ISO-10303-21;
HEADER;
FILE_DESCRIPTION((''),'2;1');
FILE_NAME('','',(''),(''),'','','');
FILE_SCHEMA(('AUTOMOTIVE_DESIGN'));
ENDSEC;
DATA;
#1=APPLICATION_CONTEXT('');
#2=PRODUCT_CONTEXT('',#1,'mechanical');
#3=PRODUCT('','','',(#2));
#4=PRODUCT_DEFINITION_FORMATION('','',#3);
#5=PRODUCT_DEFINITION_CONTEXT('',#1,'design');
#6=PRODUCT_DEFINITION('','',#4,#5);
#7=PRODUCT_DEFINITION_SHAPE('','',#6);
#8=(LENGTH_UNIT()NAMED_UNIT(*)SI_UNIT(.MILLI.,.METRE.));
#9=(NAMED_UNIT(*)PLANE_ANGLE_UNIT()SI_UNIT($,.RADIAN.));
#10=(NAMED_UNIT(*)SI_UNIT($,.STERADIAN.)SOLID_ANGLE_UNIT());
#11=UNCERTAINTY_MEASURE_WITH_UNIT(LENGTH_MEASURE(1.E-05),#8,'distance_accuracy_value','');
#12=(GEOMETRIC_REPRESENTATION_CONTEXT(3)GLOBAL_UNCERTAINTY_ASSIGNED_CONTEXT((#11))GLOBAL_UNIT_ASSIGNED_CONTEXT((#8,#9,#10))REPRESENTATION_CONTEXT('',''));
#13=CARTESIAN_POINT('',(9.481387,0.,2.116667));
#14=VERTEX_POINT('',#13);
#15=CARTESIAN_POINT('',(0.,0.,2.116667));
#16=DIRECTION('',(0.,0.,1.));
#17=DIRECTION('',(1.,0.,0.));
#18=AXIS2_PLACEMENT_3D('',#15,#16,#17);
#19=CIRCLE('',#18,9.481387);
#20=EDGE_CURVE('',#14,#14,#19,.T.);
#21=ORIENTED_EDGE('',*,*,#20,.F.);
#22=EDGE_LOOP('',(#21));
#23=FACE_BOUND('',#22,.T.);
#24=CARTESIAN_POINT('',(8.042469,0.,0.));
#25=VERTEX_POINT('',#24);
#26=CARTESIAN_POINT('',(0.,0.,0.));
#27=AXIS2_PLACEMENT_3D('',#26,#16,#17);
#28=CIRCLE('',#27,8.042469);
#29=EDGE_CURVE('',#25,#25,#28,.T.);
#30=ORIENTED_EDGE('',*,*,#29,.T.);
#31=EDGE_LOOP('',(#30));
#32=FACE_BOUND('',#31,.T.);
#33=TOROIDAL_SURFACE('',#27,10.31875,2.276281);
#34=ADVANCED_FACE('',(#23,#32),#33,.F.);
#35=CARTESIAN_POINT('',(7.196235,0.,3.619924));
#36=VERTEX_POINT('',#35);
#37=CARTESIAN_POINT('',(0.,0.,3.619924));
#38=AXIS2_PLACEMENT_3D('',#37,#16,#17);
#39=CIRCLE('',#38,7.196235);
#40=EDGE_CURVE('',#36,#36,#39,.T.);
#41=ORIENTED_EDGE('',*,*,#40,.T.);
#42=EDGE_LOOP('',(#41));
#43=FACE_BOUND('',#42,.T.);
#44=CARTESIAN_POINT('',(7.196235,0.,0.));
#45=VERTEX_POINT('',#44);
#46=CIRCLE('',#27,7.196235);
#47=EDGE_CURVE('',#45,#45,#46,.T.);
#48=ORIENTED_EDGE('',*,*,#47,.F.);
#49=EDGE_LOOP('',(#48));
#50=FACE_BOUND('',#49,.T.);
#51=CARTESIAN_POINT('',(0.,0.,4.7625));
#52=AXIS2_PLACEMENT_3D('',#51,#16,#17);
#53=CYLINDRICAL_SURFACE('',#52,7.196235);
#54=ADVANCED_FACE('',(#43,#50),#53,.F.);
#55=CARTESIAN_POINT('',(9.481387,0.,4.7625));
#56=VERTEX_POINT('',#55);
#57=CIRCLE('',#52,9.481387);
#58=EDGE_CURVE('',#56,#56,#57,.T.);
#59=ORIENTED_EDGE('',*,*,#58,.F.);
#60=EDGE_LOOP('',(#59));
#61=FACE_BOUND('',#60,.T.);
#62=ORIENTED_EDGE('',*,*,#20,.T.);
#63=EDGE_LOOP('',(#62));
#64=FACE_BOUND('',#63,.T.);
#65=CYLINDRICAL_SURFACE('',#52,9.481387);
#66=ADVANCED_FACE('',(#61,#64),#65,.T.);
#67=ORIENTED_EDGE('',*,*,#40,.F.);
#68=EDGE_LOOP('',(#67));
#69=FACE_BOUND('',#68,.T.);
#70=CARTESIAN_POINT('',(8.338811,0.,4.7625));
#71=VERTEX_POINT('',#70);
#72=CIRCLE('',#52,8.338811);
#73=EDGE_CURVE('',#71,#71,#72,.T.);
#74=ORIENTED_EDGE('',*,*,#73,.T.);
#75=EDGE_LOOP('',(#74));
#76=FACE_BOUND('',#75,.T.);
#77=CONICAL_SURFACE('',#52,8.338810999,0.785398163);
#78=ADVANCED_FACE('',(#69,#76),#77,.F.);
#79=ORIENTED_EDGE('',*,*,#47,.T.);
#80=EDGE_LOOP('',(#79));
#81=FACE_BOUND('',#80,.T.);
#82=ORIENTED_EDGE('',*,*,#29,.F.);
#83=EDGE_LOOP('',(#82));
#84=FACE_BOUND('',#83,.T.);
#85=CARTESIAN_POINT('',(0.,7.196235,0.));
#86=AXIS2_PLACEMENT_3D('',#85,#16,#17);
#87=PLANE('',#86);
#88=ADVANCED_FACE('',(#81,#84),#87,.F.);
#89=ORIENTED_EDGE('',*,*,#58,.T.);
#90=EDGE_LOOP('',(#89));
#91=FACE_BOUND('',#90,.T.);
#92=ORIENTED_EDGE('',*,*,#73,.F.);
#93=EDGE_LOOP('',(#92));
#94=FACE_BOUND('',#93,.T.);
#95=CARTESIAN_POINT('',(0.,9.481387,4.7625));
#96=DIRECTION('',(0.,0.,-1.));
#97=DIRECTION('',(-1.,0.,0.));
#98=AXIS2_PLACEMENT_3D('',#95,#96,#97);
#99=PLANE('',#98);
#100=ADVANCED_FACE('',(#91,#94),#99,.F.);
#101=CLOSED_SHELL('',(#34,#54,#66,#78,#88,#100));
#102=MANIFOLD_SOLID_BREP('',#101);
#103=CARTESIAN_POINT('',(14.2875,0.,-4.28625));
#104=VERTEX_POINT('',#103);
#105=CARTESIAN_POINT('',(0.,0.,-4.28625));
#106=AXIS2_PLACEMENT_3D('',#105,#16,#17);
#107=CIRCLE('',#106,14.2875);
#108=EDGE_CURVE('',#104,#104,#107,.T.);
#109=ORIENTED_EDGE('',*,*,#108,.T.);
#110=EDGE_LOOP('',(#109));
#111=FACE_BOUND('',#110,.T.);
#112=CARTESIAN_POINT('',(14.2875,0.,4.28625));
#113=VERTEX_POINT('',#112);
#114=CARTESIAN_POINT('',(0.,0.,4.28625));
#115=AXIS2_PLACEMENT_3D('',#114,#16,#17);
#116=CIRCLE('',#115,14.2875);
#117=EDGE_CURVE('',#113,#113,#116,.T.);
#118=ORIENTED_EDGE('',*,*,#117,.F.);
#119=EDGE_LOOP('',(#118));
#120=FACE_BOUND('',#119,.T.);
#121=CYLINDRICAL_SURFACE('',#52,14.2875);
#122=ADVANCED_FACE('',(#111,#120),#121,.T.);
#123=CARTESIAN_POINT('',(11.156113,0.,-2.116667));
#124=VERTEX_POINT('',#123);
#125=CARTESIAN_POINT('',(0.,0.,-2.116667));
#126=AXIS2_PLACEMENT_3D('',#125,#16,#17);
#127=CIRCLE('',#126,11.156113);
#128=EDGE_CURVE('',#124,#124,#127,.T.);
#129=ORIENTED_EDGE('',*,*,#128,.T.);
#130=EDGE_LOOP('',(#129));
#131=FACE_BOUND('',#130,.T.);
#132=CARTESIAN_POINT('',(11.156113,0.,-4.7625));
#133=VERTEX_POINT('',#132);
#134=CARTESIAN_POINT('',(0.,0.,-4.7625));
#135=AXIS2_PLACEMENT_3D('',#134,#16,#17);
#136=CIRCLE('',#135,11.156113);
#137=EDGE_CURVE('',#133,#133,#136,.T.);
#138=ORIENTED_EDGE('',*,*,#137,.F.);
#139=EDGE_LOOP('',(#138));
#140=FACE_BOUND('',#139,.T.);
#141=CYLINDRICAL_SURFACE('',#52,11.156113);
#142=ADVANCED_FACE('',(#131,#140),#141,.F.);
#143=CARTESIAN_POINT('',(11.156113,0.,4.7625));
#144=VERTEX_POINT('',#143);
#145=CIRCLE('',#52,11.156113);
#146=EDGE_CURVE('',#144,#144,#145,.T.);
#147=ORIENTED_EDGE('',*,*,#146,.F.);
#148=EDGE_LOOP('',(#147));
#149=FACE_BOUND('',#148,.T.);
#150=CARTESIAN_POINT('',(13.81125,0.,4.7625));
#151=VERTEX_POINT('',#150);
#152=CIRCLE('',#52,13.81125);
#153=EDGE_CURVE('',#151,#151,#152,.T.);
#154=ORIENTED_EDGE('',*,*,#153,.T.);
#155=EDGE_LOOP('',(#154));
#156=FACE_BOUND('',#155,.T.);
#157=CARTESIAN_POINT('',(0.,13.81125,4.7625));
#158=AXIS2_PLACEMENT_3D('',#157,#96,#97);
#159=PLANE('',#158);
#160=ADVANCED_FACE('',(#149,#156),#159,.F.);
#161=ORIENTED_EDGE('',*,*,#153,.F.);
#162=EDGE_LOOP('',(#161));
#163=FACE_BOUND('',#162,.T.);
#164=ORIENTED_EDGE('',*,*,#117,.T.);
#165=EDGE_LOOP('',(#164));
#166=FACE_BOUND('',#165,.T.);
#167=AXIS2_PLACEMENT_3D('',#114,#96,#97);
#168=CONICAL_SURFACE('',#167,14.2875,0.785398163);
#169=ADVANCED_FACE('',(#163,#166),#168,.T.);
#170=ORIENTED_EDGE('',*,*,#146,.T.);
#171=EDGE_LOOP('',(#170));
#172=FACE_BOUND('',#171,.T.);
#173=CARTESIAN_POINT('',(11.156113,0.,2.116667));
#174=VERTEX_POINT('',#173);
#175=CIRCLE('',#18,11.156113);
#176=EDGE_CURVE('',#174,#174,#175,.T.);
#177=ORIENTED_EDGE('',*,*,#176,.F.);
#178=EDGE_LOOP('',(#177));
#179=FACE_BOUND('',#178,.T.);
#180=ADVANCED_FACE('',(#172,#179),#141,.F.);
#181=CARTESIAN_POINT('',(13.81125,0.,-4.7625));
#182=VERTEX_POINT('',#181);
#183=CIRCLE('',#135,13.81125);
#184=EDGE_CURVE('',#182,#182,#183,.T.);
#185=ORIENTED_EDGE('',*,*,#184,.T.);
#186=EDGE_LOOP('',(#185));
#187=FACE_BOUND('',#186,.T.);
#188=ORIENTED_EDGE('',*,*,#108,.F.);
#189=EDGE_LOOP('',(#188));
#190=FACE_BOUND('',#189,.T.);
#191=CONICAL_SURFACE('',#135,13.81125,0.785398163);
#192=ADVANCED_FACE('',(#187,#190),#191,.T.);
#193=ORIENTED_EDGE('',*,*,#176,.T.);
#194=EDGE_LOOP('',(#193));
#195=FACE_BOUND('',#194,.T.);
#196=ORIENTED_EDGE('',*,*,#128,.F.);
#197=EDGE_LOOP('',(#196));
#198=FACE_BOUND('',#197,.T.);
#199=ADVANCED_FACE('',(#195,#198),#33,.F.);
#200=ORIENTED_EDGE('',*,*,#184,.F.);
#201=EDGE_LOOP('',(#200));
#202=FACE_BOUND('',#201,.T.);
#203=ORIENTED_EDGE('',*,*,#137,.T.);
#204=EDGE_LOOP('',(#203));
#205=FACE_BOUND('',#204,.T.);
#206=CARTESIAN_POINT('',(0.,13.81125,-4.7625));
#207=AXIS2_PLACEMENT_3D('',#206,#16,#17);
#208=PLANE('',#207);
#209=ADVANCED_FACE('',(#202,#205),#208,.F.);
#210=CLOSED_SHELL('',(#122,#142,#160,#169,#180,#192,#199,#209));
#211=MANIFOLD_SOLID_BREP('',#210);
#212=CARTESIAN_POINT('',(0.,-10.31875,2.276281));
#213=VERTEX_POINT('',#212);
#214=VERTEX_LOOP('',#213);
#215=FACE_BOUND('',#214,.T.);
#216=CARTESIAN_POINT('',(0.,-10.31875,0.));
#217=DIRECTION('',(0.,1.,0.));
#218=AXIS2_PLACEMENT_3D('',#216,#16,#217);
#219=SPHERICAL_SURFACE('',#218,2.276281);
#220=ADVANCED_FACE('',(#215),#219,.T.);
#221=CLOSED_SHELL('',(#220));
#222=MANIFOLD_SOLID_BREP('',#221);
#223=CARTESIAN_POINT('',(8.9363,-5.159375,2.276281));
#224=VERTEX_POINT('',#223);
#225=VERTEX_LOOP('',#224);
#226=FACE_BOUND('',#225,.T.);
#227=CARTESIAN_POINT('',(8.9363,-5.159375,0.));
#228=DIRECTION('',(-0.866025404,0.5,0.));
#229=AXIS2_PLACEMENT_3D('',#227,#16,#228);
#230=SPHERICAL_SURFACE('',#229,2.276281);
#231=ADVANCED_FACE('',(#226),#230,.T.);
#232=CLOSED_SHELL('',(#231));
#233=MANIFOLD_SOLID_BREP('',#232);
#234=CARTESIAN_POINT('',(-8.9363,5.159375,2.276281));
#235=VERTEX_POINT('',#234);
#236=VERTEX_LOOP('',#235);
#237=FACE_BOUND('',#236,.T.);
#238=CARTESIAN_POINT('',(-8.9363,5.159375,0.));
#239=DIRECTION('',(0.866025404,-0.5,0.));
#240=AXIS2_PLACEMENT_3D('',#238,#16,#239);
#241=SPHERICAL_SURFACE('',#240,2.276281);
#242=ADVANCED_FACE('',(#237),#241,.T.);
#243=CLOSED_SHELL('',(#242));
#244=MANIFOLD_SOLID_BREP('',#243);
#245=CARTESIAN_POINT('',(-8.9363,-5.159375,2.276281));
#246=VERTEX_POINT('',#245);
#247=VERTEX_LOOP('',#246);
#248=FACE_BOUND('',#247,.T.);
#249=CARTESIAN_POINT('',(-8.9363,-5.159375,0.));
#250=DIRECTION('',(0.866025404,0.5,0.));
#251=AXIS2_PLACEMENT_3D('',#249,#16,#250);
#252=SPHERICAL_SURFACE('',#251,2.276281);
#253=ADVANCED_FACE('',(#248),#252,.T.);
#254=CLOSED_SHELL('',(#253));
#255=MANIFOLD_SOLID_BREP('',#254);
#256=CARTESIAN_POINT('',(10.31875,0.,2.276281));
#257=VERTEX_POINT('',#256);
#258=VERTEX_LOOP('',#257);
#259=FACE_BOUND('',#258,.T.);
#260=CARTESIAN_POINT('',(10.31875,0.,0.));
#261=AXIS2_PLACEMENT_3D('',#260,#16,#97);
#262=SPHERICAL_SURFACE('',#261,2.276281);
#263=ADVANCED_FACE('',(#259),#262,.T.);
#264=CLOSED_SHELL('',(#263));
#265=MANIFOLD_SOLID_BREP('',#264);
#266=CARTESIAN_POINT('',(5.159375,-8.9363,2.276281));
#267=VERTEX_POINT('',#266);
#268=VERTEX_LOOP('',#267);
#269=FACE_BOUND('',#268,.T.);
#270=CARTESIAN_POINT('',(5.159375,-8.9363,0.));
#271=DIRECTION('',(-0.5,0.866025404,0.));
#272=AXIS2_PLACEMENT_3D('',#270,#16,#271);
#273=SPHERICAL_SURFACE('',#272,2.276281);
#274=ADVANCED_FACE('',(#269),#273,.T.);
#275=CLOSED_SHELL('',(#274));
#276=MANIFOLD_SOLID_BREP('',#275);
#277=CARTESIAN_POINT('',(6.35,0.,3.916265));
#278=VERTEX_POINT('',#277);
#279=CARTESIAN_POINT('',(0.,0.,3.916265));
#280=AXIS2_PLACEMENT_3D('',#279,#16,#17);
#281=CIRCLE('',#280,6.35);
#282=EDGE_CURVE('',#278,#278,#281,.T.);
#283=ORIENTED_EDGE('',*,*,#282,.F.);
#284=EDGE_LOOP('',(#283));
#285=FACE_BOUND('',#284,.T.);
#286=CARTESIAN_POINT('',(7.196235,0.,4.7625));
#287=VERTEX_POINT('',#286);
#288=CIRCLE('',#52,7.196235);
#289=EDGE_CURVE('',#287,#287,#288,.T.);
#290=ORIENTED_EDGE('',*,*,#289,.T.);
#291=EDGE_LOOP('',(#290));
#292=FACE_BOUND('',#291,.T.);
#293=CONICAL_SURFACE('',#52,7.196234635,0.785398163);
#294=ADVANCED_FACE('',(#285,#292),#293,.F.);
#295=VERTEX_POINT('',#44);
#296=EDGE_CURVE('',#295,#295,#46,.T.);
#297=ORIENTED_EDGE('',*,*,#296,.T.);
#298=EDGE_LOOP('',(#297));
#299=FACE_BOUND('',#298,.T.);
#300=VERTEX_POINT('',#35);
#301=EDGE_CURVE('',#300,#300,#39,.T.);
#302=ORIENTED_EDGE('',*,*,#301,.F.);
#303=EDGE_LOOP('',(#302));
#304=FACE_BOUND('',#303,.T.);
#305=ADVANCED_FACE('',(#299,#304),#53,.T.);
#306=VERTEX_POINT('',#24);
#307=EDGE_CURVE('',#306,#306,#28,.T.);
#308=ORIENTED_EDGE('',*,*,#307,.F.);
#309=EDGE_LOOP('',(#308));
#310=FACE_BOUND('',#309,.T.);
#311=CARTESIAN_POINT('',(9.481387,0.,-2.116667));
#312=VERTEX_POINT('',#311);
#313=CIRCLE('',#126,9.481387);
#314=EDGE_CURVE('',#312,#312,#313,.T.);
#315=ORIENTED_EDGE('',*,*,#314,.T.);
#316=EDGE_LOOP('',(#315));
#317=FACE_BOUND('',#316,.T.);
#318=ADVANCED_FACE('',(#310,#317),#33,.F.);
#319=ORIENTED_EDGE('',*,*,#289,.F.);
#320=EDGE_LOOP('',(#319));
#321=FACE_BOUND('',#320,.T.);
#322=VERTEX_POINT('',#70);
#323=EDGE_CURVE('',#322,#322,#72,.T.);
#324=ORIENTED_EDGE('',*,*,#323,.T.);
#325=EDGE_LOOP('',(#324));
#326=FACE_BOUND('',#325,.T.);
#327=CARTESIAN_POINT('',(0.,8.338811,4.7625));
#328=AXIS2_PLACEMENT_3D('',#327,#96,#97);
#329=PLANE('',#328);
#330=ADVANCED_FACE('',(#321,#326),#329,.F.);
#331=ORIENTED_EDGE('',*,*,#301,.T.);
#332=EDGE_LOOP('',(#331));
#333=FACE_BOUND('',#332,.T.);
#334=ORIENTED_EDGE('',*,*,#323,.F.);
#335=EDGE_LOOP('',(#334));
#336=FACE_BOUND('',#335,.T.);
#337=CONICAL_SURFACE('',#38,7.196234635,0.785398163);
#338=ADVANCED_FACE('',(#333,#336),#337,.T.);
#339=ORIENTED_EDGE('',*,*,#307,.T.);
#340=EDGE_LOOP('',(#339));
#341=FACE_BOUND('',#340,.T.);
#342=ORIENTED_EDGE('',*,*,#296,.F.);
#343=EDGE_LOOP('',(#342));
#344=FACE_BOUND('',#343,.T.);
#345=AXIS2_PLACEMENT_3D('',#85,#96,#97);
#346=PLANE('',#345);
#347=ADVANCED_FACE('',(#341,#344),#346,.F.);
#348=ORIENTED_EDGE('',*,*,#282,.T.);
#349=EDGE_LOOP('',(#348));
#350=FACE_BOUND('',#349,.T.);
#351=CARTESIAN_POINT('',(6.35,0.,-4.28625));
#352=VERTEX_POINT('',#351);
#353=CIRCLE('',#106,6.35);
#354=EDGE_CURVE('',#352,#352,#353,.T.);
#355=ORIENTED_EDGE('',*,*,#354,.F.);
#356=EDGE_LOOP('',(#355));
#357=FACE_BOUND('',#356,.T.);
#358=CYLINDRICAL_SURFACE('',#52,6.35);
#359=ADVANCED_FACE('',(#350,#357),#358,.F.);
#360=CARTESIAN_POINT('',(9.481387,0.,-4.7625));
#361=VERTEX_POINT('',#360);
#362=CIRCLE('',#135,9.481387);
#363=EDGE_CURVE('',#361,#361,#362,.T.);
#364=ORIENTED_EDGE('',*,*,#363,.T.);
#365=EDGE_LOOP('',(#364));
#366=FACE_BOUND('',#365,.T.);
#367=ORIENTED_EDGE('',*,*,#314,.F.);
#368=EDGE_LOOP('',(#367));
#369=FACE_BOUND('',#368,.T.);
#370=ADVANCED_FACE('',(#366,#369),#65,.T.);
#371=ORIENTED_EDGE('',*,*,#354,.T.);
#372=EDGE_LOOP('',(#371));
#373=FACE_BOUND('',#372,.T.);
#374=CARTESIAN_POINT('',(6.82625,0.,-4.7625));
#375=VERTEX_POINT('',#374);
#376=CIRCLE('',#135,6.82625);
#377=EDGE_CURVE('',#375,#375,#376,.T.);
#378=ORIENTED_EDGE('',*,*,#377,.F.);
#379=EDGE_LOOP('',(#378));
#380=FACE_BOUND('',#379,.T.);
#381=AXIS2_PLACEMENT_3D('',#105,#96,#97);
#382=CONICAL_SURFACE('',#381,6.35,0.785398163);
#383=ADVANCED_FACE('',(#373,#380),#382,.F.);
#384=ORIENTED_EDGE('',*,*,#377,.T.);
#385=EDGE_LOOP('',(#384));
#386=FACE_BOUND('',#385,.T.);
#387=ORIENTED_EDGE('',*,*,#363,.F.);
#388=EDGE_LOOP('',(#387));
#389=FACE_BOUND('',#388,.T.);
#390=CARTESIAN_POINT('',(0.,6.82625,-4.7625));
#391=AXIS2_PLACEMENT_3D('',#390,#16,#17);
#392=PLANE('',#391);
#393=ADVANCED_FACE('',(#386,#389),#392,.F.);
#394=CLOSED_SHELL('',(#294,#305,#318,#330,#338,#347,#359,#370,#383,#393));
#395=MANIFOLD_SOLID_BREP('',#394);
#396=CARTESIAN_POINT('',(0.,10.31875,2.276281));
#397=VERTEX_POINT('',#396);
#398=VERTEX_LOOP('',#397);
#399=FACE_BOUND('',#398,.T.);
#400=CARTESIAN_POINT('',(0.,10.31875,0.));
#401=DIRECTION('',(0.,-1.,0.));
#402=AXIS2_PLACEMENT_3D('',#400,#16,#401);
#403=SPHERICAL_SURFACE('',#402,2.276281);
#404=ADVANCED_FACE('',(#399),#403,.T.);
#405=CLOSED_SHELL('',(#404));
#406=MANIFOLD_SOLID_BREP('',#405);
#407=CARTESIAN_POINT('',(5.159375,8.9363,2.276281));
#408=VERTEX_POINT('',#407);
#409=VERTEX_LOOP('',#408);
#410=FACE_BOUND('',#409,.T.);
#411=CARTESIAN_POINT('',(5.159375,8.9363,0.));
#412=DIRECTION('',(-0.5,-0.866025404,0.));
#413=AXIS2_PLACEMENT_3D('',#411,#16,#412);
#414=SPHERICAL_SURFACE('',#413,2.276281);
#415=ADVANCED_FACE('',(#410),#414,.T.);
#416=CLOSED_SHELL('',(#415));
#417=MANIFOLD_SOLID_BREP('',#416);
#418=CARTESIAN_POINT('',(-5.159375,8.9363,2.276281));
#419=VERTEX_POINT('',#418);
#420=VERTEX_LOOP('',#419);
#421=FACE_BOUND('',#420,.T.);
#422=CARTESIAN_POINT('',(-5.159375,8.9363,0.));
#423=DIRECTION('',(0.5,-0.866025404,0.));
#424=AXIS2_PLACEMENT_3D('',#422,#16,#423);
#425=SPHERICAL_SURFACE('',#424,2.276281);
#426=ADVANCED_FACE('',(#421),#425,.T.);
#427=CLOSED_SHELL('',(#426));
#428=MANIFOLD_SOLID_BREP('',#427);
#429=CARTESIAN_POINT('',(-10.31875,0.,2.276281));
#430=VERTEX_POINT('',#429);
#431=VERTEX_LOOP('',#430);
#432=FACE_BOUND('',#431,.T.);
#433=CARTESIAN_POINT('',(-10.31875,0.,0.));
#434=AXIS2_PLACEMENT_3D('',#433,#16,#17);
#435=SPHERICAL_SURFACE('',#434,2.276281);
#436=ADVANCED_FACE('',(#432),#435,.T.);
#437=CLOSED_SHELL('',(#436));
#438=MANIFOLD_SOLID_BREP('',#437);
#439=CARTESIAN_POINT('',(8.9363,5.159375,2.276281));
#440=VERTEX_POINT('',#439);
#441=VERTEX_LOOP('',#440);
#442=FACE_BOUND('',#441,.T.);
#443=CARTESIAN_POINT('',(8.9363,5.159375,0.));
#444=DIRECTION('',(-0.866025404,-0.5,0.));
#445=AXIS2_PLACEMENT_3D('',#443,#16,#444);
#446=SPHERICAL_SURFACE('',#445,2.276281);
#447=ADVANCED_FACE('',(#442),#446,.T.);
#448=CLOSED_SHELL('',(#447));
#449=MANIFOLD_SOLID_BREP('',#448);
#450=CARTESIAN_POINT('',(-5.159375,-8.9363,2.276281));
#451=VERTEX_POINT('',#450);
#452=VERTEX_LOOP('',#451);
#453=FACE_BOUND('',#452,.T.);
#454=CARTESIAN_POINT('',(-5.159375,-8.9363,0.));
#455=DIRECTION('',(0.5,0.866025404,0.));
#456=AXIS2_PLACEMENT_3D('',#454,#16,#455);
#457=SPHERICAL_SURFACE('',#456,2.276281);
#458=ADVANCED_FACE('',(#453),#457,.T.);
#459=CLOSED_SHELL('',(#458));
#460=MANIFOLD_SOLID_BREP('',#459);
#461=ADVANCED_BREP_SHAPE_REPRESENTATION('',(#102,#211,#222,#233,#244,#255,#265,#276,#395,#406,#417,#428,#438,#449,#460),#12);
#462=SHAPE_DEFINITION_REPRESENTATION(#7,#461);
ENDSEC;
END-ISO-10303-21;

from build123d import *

# Parameters (mm, degrees)
CIRPATTERN1_COUNT = 12


with BuildPart() as part:
    # Sketch1 → Revolve1 (revolve)
    with BuildSketch(Plane(origin=(0, 0, 0), x_dir=(0, 0, -1), z_dir=(1, 0, 0))):
        with BuildLine():
            Line((4.28625, 14.2875), (-4.28625, 14.2875))
            Line((-4.28625, 14.2875), (-4.7625, 13.81125))
            Line((-4.7625, 13.81125), (-4.7625, 11.156112637))
            Line((-4.7625, 11.156112637), (-2.116666667, 11.156112637))
            ThreePointArc((-2.116666667, 11.156112637), (0, 12.595030731), (2.116666667, 11.156112637))
            Line((2.116666667, 11.156112637), (4.7625, 11.156112637))
            Line((4.7625, 11.156112637), (4.7625, 13.81125))
            Line((4.7625, 13.81125), (4.28625, 14.2875))
        make_face()
    revolve(axis=Axis((0, 0, 4.7625), (0, 0, -1)))


with BuildPart() as body_2:
    # Sketch2 → Revolve2 (revolve)
    with BuildSketch(Plane(origin=(0, 0, 0), x_dir=(0, 0, -1), z_dir=(1, 0, 0))):
        with BuildLine():
            Line((-4.7625, 9.481387363), (-2.116666667, 9.481387363))
            ThreePointArc((-2.116666667, 9.481387363), (-1.279722925, 8.436261434), (0, 8.042469269))
            Line((0, 8.042469269), (0, 7.196234635))
            Line((0, 7.196234635), (-3.619923636, 7.196234635))
            Line((-3.619923636, 7.196234635), (-4.7625, 8.338810999))
            Line((-4.7625, 8.338810999), (-4.7625, 9.481387363))
        make_face()
    revolve(axis=Axis((0, 0, 4.7625), (0, 0, -1)))


with BuildPart() as body_3:
    # Sketch3 → Revolve3 (revolve)
    with BuildSketch(Plane(origin=(0, 0, 0), x_dir=(0, 0, -1), z_dir=(1, 0, 0))):
        with BuildLine():
            Line((-4.7625, 8.338810999), (-3.619923636, 7.196234635))
            Line((-3.619923636, 7.196234635), (0, 7.196234635))
            Line((0, 7.196234635), (0, 8.042469269))
            ThreePointArc((0, 8.042469269), (1.279722925, 8.436261434), (2.116666667, 9.481387363))
            Line((2.116666667, 9.481387363), (4.7625, 9.481387363))
            Line((4.7625, 9.481387363), (4.7625, 6.82625))
            Line((4.7625, 6.82625), (4.28625, 6.35))
            Line((4.28625, 6.35), (-3.916265365, 6.35))
            Line((-3.916265365, 6.35), (-4.7625, 7.196234635))
            Line((-4.7625, 7.196234635), (-4.7625, 8.338810999))
        make_face()
    revolve(axis=Axis((0, 0, 4.7625), (0, 0, -1)))


with BuildPart() as body_4:
    # Sketch4 → Revolve4 (revolve)
    with BuildSketch(Plane(origin=(0, 0, 0), x_dir=(0, 0, -1), z_dir=(1, 0, 0))):
        with BuildLine():
            Line((-2.276280731, 10.31875), (2.276280731, 10.31875))
            ThreePointArc((2.276280731, 10.31875), (0, 12.595030731), (-2.276280731, 10.31875))
        make_face()
    revolve(axis=Axis((0, 10.31875, 2.276280731), (0, 0, -1)))


with BuildPart() as cirpattern1_1:
    # CirPattern1: pattern copy
    add(body_4.part.rotate(Axis((0, 0, -4.7625), (0, 0, 1)), 1 * 360 / CIRPATTERN1_COUNT))


with BuildPart() as cirpattern1_2:
    # CirPattern1: pattern copy
    add(body_4.part.rotate(Axis((0, 0, -4.7625), (0, 0, 1)), 2 * 360 / CIRPATTERN1_COUNT))


with BuildPart() as cirpattern1_3:
    # CirPattern1: pattern copy
    add(body_4.part.rotate(Axis((0, 0, -4.7625), (0, 0, 1)), 3 * 360 / CIRPATTERN1_COUNT))


with BuildPart() as cirpattern1_4:
    # CirPattern1: pattern copy
    add(body_4.part.rotate(Axis((0, 0, -4.7625), (0, 0, 1)), 4 * 360 / CIRPATTERN1_COUNT))


with BuildPart() as cirpattern1_5:
    # CirPattern1: pattern copy
    add(body_4.part.rotate(Axis((0, 0, -4.7625), (0, 0, 1)), 5 * 360 / CIRPATTERN1_COUNT))


with BuildPart() as cirpattern1_6:
    # CirPattern1: pattern copy
    add(body_4.part.rotate(Axis((0, 0, -4.7625), (0, 0, 1)), 6 * 360 / CIRPATTERN1_COUNT))


with BuildPart() as cirpattern1_7:
    # CirPattern1: pattern copy
    add(body_4.part.rotate(Axis((0, 0, -4.7625), (0, 0, 1)), 7 * 360 / CIRPATTERN1_COUNT))


with BuildPart() as cirpattern1_8:
    # CirPattern1: pattern copy
    add(body_4.part.rotate(Axis((0, 0, -4.7625), (0, 0, 1)), 8 * 360 / CIRPATTERN1_COUNT))


with BuildPart() as cirpattern1_9:
    # CirPattern1: pattern copy
    add(body_4.part.rotate(Axis((0, 0, -4.7625), (0, 0, 1)), 9 * 360 / CIRPATTERN1_COUNT))


with BuildPart() as cirpattern1_10:
    # CirPattern1: pattern copy
    add(body_4.part.rotate(Axis((0, 0, -4.7625), (0, 0, 1)), 10 * 360 / CIRPATTERN1_COUNT))


with BuildPart() as cirpattern1_11:
    # CirPattern1: pattern copy
    add(body_4.part.rotate(Axis((0, 0, -4.7625), (0, 0, 1)), 11 * 360 / CIRPATTERN1_COUNT))


solid = Compound([part.part, body_2.part, body_3.part, body_4.part, cirpattern1_1.part, cirpattern1_2.part, cirpattern1_3.part, cirpattern1_4.part, cirpattern1_5.part, cirpattern1_6.part, cirpattern1_7.part, cirpattern1_8.part, cirpattern1_9.part, cirpattern1_10.part, cirpattern1_11.part])
